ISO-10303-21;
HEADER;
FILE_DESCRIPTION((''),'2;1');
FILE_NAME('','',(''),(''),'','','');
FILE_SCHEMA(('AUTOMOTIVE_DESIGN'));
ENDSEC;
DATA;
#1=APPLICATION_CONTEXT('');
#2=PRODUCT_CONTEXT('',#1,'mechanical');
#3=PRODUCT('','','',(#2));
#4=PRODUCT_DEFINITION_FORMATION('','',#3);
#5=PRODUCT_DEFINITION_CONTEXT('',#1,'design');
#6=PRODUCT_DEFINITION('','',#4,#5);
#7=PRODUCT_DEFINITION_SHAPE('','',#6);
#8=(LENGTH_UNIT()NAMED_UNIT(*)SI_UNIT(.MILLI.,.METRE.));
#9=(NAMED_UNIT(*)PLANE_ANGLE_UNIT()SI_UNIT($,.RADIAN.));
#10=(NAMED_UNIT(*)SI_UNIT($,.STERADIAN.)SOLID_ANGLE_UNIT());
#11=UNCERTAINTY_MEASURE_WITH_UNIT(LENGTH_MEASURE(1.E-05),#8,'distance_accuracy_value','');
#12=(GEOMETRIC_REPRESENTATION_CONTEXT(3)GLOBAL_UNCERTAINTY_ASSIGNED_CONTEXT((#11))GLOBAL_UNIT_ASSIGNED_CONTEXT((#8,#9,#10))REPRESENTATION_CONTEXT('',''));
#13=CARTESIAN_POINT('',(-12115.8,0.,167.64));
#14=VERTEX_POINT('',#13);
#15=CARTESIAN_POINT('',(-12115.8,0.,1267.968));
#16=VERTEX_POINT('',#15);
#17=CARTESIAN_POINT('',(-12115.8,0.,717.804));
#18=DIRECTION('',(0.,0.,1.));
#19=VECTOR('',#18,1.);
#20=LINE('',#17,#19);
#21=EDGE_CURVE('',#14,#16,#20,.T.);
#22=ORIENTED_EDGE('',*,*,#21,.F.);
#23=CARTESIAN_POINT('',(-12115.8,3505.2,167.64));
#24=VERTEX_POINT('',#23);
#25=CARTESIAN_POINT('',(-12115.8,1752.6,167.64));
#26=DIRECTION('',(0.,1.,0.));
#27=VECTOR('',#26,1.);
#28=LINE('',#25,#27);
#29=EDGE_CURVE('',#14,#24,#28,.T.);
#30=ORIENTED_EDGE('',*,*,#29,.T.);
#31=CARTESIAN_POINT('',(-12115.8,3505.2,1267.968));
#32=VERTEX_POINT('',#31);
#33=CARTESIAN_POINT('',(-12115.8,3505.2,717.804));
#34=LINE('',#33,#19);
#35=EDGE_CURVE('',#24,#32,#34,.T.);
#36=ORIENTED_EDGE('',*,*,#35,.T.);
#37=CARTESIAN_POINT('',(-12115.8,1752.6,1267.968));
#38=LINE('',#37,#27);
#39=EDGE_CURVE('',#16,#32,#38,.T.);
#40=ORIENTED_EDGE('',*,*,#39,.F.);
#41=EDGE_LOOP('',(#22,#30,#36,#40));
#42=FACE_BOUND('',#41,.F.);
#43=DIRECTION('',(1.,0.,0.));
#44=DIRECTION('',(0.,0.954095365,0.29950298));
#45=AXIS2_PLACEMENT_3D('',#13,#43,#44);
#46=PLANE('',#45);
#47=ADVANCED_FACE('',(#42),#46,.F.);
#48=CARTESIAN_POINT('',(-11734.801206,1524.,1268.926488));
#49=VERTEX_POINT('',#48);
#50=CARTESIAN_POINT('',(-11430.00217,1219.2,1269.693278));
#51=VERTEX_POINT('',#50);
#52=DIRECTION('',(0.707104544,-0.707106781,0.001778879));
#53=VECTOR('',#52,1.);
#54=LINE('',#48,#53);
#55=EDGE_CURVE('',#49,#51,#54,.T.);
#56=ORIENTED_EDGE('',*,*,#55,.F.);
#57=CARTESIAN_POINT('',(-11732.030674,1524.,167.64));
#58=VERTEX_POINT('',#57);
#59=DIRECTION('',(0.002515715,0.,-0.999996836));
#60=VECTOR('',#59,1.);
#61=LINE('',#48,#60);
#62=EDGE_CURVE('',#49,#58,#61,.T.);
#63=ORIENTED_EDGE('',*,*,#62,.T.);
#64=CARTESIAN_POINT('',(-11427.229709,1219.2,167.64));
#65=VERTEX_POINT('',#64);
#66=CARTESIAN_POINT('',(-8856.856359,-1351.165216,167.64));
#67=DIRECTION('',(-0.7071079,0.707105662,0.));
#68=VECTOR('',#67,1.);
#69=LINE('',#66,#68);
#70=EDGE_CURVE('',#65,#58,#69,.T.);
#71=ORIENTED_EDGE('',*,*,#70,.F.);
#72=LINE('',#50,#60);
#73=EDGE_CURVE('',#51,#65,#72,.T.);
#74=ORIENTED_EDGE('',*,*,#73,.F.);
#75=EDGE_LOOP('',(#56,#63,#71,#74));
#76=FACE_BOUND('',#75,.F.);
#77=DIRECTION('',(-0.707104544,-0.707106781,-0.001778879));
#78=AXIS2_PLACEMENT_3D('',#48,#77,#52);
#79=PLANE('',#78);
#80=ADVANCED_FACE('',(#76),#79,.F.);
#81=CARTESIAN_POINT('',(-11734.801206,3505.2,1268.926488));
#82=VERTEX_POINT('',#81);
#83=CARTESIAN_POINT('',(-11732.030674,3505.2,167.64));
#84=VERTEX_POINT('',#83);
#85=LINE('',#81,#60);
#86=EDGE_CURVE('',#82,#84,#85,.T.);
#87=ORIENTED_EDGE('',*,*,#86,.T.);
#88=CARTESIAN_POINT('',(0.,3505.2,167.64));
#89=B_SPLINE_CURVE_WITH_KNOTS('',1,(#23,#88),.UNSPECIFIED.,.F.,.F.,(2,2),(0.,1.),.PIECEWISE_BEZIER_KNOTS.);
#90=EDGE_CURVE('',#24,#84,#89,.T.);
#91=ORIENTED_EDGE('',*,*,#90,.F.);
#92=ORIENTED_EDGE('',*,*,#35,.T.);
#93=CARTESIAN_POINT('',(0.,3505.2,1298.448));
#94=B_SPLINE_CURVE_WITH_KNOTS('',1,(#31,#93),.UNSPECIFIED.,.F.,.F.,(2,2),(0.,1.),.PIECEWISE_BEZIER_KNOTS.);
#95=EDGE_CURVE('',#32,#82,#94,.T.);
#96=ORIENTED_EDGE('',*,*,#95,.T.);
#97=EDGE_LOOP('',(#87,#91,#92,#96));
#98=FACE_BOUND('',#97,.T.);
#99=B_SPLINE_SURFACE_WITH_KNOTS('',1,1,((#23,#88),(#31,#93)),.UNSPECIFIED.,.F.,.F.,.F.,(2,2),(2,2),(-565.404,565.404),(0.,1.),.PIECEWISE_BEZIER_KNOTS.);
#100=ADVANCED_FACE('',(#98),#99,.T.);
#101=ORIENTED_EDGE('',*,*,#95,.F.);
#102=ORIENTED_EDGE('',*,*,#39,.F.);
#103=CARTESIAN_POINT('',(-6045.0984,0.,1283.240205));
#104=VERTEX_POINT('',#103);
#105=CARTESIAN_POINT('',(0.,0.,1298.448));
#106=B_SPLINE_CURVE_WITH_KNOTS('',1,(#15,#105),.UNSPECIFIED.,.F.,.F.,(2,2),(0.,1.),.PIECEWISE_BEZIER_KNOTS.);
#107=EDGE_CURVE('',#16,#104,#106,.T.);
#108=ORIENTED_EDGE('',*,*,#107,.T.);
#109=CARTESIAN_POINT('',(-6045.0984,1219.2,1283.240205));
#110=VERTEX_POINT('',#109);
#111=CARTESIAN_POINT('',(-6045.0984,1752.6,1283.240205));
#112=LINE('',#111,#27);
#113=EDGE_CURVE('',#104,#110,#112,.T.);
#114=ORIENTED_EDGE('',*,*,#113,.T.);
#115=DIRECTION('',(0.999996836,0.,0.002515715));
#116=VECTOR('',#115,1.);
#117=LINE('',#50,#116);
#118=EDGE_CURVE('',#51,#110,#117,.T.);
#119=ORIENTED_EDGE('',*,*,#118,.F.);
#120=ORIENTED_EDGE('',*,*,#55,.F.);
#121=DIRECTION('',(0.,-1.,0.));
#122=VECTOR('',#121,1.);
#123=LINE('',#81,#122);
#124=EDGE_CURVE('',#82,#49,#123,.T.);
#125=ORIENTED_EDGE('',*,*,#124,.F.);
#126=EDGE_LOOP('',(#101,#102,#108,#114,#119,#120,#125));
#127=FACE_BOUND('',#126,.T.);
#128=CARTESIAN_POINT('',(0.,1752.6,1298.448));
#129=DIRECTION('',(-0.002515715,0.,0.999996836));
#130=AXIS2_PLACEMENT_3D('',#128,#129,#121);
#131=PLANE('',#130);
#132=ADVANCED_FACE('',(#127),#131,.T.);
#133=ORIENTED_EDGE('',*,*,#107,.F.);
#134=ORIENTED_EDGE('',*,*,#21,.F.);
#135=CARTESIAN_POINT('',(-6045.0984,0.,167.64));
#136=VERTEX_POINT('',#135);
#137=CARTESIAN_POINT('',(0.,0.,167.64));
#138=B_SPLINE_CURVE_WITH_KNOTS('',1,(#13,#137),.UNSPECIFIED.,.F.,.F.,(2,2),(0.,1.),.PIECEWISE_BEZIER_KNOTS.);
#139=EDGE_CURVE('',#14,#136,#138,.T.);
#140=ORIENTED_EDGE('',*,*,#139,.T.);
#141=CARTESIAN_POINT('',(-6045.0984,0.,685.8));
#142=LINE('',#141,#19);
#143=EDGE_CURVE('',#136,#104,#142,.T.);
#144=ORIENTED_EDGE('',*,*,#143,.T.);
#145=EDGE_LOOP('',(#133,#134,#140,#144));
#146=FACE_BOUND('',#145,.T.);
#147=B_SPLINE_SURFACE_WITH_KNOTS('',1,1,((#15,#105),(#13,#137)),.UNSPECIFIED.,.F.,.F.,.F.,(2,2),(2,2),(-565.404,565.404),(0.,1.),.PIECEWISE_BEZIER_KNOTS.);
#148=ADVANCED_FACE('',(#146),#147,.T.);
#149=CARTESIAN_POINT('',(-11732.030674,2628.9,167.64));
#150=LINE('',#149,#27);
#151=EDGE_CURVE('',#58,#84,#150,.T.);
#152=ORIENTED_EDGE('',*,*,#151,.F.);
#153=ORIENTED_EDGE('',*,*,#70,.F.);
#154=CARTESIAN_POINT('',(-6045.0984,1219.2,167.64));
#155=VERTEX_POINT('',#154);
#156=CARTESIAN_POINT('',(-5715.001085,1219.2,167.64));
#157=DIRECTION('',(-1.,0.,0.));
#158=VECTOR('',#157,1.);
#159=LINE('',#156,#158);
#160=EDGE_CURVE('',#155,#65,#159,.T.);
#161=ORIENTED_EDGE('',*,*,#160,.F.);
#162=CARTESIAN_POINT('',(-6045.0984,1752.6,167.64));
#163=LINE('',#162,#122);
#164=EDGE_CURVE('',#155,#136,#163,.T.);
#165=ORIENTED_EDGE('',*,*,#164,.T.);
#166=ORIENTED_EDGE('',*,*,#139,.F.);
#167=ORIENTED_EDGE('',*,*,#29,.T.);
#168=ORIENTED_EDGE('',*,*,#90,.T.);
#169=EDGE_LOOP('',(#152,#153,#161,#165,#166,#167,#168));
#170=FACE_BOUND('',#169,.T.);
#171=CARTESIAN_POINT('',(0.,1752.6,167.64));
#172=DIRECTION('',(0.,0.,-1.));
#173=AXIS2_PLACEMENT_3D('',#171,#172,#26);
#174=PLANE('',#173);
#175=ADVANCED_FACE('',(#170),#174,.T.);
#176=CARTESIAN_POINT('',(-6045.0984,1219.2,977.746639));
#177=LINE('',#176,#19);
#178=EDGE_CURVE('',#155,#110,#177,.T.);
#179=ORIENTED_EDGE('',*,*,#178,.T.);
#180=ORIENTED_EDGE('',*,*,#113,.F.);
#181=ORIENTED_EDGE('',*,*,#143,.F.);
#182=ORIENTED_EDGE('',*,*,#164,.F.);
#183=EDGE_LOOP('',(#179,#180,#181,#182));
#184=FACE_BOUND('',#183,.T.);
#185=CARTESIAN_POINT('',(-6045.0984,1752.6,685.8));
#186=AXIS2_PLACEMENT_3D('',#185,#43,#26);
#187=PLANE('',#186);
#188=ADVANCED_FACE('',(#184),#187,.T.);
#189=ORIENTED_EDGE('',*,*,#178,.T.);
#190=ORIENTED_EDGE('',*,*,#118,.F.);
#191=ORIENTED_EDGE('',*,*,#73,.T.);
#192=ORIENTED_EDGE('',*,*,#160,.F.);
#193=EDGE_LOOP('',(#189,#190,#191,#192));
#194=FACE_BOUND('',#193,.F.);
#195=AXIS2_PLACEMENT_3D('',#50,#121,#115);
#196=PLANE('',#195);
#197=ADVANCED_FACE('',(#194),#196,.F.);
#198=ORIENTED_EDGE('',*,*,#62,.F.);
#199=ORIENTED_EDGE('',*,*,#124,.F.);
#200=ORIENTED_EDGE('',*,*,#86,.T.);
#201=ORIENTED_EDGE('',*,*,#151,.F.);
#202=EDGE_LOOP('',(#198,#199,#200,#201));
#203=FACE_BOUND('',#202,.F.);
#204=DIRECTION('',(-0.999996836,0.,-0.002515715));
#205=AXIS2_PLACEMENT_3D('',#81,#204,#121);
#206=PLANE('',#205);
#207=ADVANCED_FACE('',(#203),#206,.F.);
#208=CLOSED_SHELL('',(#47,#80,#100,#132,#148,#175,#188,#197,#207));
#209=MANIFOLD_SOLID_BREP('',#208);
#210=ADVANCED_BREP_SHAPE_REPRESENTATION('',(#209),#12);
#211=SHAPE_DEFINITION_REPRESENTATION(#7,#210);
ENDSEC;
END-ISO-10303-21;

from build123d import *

# Parameters (mm, degrees)
F2_W     = 3505.2
F2_H     = 1100.328
F0_W     = 3505.2
F0_H     = 1130.808
F5_DEPTH = 1129.8540878931
F7_W     = 3505.2
F7_H     = 1371.6
F8_DEPTH = 6045.0994001


with BuildPart() as f3:
    # F2 (on offset) → F3 section 0
    with BuildSketch(Plane.YZ.offset(-12115.8)):
        with Locations((1752.6, 717.804)):
            Rectangle(F2_W, F2_H)
    # F0 (on Right) → F3 section 1
    with BuildSketch(Plane.YZ):
        with Locations((1752.6, 733.044)):
            Rectangle(F0_W, F0_H)
    loft()

    # F4 (on face) → F5 (cut, through all)
    with BuildSketch(Plane(origin=(-3.2665151757, 0, 1298.4397823518), x_dir=(0.9999968356, 0, 0.0025157153), z_dir=(-0.0025157153, 0, 0.9999968356))):
        Polygon((-377.7334744876, 3505.2), (-11731.5718140496, 3505.2), (-11731.5718140496, 1524), (-11426.7718140496, 1219.2), (-682.5334744876, 1219.2), (-377.7334744876, 1524), align=None)
    extrude(amount=-F5_DEPTH, mode=Mode.SUBTRACT)

    # F7 (on offset) → F8 (cut, through all)
    with BuildSketch(Plane.YZ.offset(-6045.0984)):
        with Locations((1752.6, 685.8)):
            Rectangle(F7_W, F7_H)
    extrude(amount=F8_DEPTH, mode=Mode.SUBTRACT)


solid = f3.part
